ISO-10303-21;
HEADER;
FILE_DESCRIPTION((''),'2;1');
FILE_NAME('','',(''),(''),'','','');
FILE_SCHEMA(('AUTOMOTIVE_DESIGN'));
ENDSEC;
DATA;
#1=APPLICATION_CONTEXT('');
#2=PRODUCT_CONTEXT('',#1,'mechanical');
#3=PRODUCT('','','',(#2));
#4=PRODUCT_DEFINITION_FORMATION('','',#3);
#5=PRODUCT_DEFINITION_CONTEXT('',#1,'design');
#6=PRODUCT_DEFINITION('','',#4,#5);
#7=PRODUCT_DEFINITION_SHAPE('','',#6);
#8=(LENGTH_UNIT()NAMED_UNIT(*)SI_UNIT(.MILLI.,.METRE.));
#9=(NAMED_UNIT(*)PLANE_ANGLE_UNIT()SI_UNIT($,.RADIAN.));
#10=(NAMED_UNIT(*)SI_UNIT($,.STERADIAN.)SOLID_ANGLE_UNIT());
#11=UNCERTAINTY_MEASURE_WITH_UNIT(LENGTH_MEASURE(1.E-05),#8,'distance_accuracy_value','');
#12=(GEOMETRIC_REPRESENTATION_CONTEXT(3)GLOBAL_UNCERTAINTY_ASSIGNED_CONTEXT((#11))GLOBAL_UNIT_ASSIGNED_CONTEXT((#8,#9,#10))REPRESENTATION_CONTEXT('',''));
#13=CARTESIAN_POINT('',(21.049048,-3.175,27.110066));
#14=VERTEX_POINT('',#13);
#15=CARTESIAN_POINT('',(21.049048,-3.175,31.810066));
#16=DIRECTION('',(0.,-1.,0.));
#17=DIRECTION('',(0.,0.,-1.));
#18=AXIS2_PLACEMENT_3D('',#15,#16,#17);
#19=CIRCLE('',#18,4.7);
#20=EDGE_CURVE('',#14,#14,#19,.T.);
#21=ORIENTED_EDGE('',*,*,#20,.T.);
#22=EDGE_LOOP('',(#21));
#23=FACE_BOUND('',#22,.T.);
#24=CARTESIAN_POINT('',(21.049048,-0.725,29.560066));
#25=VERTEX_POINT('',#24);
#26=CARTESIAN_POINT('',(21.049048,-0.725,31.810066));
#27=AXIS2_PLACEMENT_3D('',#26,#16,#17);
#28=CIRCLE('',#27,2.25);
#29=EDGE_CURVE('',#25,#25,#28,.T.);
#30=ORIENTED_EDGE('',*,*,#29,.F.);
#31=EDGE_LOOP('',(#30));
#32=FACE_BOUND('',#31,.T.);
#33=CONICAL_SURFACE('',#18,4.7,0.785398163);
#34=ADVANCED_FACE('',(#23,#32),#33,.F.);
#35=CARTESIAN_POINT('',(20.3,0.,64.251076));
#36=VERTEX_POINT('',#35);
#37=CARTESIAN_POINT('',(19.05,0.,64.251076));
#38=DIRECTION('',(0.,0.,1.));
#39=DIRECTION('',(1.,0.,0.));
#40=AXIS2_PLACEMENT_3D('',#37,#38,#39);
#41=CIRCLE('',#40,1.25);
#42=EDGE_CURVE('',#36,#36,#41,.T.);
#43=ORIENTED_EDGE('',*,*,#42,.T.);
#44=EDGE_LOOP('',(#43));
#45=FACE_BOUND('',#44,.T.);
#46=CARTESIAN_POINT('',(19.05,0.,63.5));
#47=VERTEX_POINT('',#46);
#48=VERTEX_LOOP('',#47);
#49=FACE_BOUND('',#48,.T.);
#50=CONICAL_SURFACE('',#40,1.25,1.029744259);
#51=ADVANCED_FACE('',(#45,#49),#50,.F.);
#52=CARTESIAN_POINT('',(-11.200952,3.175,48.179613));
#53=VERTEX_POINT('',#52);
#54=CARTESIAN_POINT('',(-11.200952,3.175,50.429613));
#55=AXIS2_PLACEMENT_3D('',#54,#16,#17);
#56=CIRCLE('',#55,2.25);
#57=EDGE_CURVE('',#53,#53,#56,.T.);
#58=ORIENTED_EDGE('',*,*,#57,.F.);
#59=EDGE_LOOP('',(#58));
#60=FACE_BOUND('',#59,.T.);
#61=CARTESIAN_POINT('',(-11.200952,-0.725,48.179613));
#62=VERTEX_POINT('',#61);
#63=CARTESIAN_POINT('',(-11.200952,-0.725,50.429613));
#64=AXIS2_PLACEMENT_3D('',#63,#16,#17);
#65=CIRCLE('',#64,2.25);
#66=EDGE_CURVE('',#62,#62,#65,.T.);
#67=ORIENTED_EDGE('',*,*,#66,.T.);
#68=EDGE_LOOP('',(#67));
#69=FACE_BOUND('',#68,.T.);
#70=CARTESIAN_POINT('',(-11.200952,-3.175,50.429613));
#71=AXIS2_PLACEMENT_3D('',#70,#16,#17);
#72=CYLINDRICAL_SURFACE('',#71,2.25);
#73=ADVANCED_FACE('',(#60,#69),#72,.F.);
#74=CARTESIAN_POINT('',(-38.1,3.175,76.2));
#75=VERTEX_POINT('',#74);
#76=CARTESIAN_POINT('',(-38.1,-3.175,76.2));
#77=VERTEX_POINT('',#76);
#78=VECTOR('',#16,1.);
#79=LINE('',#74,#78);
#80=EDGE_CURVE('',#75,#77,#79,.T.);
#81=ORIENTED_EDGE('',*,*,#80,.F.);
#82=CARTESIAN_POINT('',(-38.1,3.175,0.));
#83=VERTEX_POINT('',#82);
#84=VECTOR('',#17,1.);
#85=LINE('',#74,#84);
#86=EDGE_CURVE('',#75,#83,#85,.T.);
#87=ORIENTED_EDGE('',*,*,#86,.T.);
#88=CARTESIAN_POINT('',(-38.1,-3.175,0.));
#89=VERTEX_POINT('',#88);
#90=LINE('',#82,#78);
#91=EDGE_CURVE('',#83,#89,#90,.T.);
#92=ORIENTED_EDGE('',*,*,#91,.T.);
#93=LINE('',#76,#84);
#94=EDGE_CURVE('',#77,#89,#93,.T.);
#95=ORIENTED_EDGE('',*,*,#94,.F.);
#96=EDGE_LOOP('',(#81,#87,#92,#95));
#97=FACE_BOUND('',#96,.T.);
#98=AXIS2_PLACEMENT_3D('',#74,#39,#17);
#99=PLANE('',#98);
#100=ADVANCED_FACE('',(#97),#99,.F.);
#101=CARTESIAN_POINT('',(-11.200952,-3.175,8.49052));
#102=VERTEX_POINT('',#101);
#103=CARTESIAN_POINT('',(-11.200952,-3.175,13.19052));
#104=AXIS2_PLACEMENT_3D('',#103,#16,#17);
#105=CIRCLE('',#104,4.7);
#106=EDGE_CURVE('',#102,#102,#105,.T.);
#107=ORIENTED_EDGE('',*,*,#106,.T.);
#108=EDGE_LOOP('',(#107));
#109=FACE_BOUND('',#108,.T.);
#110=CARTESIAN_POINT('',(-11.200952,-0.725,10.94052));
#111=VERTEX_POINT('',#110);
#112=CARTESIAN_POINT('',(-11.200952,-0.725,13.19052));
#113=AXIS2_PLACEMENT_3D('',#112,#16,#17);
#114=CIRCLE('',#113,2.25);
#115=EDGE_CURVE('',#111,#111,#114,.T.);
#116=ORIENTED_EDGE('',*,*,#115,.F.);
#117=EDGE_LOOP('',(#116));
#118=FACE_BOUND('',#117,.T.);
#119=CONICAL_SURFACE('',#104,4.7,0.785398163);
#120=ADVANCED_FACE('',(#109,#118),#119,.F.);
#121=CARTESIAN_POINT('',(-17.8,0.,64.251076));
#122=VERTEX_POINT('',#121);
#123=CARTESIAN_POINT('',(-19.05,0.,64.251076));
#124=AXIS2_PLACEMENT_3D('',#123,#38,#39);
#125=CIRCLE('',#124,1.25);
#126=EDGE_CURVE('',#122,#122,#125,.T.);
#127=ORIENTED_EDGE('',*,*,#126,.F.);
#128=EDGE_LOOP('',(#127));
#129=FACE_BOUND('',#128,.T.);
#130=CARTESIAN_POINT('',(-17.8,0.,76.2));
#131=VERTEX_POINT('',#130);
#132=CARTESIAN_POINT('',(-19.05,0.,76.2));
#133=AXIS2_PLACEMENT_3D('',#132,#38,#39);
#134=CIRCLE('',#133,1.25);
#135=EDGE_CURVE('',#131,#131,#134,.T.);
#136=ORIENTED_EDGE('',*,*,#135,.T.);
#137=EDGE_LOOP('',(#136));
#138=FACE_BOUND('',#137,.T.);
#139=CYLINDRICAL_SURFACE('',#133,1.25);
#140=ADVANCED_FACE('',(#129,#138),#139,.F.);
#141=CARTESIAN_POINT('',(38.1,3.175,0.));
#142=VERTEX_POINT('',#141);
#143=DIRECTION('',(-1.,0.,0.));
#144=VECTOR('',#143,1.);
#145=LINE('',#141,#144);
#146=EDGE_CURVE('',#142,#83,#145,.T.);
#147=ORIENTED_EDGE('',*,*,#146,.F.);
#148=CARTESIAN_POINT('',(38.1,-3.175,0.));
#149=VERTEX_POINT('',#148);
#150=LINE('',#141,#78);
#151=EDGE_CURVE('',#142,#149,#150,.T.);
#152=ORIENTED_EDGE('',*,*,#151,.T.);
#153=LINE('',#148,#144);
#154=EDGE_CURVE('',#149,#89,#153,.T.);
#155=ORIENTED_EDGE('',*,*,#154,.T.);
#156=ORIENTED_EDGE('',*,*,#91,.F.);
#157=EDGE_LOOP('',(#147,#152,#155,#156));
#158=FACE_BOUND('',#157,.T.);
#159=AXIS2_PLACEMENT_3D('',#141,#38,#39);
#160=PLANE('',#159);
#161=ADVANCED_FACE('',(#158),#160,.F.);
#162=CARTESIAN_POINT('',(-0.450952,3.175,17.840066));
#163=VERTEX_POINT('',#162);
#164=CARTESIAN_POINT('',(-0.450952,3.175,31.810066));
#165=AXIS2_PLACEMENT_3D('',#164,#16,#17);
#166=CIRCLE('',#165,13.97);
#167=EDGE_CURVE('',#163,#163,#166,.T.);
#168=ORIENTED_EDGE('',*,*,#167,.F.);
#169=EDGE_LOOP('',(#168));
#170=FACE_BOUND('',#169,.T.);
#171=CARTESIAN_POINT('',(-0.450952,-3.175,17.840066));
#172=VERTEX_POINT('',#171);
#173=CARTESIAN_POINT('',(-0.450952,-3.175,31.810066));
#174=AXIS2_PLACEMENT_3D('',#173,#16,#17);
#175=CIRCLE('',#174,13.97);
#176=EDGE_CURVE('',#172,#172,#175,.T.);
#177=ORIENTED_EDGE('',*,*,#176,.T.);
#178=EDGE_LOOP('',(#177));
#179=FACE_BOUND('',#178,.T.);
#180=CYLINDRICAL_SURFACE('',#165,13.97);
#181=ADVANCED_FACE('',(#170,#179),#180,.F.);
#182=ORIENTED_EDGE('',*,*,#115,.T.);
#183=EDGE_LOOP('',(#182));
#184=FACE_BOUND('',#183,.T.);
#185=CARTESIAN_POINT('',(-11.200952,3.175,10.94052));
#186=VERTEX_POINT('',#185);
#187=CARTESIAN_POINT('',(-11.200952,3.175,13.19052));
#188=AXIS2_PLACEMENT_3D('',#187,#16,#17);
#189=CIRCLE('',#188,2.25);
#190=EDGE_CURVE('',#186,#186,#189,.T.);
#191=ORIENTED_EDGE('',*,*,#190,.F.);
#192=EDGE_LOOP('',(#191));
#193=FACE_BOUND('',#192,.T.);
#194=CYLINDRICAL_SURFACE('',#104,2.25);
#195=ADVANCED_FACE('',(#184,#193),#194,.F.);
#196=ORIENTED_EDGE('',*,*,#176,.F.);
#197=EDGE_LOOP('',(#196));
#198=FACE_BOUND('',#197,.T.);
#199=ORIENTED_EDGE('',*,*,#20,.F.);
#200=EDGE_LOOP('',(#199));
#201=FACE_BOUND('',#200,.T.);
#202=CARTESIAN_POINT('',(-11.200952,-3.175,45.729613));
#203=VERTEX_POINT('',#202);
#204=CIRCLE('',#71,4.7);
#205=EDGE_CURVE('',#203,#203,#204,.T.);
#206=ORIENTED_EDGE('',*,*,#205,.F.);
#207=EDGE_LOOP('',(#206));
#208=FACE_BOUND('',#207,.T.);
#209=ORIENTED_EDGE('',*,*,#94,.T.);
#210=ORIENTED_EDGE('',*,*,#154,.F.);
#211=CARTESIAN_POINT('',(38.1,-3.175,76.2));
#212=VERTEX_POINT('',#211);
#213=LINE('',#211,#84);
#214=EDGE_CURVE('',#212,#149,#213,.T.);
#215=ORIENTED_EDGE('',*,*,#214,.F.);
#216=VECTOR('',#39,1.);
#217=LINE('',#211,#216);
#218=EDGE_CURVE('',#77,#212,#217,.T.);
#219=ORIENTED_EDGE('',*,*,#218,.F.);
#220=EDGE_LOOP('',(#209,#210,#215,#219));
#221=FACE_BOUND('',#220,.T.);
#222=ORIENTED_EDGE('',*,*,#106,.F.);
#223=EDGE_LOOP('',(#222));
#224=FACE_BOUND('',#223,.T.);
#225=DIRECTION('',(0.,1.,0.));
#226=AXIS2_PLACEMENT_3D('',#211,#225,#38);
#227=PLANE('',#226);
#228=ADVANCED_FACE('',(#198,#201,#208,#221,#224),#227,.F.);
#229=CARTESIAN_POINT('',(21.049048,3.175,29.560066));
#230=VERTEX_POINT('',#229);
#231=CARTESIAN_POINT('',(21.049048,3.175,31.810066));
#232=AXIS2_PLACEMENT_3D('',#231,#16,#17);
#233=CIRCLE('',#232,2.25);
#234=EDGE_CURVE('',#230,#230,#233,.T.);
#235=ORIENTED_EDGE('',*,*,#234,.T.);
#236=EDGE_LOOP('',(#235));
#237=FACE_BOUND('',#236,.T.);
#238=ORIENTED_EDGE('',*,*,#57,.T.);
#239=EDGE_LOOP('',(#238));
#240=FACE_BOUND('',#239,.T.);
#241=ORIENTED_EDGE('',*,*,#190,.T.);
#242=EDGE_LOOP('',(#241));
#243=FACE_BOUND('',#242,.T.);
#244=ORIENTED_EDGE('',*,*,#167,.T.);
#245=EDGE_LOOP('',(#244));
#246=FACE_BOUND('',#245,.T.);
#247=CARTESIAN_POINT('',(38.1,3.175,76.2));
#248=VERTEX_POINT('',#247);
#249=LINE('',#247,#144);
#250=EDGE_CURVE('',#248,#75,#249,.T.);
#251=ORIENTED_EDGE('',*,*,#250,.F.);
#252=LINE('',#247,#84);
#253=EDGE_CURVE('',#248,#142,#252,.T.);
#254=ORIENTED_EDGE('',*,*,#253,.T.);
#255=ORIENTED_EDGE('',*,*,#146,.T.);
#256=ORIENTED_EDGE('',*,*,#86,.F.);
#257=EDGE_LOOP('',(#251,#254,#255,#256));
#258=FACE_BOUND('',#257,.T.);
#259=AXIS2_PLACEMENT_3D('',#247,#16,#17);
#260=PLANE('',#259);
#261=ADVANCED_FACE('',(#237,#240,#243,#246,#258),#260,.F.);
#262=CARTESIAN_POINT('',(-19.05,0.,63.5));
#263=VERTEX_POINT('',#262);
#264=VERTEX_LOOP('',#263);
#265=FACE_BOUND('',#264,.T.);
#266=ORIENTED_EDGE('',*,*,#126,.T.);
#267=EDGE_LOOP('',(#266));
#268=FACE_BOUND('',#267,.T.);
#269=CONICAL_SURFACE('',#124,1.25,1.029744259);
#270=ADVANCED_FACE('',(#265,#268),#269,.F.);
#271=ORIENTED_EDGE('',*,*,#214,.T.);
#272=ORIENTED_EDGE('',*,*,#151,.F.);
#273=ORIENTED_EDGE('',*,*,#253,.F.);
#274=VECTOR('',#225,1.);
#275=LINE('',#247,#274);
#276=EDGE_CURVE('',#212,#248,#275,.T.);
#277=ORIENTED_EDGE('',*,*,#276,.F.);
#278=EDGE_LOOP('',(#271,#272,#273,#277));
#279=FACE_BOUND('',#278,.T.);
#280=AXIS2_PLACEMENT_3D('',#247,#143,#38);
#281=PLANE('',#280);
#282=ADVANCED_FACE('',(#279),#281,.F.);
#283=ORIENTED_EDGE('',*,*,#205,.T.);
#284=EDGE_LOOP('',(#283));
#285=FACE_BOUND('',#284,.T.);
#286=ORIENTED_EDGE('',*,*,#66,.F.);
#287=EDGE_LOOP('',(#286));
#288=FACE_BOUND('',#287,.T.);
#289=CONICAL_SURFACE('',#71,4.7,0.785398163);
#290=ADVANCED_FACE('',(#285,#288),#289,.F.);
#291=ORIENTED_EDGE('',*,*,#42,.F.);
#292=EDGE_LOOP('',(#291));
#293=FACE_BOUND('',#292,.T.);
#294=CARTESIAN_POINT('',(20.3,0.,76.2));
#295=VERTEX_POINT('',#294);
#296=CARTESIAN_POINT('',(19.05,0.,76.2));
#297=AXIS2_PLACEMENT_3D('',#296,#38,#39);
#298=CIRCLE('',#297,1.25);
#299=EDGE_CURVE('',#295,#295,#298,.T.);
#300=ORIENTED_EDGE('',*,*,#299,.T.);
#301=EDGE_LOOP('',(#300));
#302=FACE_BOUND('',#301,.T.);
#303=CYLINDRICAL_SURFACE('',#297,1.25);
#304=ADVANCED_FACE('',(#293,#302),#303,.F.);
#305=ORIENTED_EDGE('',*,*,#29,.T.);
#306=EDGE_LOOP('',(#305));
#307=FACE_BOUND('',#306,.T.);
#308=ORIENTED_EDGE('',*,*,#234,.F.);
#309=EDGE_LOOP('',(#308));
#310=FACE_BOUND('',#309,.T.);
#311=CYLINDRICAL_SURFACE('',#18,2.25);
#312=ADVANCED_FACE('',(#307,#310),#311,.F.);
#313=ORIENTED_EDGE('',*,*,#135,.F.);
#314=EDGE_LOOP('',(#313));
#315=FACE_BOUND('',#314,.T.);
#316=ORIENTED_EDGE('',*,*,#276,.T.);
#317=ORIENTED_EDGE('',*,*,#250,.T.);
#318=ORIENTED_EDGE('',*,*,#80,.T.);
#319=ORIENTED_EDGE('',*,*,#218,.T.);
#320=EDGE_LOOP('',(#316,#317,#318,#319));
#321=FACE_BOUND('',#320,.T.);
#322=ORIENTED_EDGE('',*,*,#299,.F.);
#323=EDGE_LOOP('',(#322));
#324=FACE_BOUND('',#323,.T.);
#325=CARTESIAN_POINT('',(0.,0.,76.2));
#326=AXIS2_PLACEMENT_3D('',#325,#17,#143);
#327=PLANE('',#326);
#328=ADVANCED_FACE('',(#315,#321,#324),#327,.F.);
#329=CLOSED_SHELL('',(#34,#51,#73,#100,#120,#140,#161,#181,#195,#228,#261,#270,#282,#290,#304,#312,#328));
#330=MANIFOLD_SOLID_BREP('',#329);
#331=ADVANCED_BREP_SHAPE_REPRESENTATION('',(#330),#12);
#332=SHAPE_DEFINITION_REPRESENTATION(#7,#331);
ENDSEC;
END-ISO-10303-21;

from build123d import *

# Parameters (mm, degrees)
BOSS_EXTRUDE1_DEPTH                             = 76.2
BOSS_EXTRUDE1_DEPTH_BACK                        = 76.2
SKETCH3_W                                       = 76.2
SKETCH3_H                                       = 6.35
SKETCH11_R                                      = 13.97
CUT_EXTRUDE1_DEPTH                              = 86.430512699
CSK_FOR_M4_FLAT_HEAD_MACHINE_SCREW1_D           = 4.5
CSK_FOR_M4_FLAT_HEAD_MACHINE_SCREW1_CSINK_D     = 9.4
CSK_FOR_M4_FLAT_HEAD_MACHINE_SCREW1_CSINK_ANGLE = 90
SKETCH20_W                                      = 76.2
SKETCH20_H                                      = 76.2
CUT_EXTRUDE2_DEPTH                              = 86.430512699
M3X0_5_TAPPED_HOLE3_D                           = 2.5
M3X0_5_TAPPED_HOLE3_DEPTH                       = 11.948924226
M3X0_5_TAPPED_HOLE3_TIP                         = 0.751075774


with BuildPart() as part:
    # Sketch3 → Boss-Extrude1 (new, two sides: drawn at the far end of the back side and taken through both)
    with BuildSketch(Plane.XY.offset(-BOSS_EXTRUDE1_DEPTH_BACK)):
        Rectangle(SKETCH3_W, SKETCH3_H)
    extrude(amount=BOSS_EXTRUDE1_DEPTH + BOSS_EXTRUDE1_DEPTH_BACK)

    # Sketch11 → Cut-Extrude1 (cut, through all)
    with BuildSketch(Plane.XZ.offset(3.175)):
        with Locations(Location((-0.450951641, 31.810066373, 0), (0, 0, 270))):
            Circle(SKETCH11_R)
    extrude(amount=-CUT_EXTRUDE1_DEPTH, mode=Mode.SUBTRACT)

    # CSK for M4 Flat Head Machine Screw1 (through all)
    with Locations(Plane(origin=(0, -3.175, 0), x_dir=(-1, 0, 0), z_dir=(0, -1, 0))):
        with Locations((11.200951641, -13.190520192), (-21.049048359, -31.810066373), (11.200951641, -50.429612554)):
            CounterSinkHole(CSK_FOR_M4_FLAT_HEAD_MACHINE_SCREW1_D / 2, CSK_FOR_M4_FLAT_HEAD_MACHINE_SCREW1_CSINK_D / 2, counter_sink_angle=CSK_FOR_M4_FLAT_HEAD_MACHINE_SCREW1_CSINK_ANGLE)

    # Sketch20 → Cut-Extrude2 (cut, through all)
    with BuildSketch(Plane.XZ.offset(3.175)):
        with Locations((0, -38.1)):
            Rectangle(SKETCH20_W, SKETCH20_H)
    extrude(amount=-CUT_EXTRUDE2_DEPTH, mode=Mode.SUBTRACT)

    # M3x0.5 Tapped Hole3
    with Locations(Plane.XY.offset(76.2)):
        with Locations((19.05, 0), (-19.05, 0)):
            Hole(M3X0_5_TAPPED_HOLE3_D / 2, depth=M3X0_5_TAPPED_HOLE3_DEPTH)
            with Locations((0, 0, -(M3X0_5_TAPPED_HOLE3_DEPTH + M3X0_5_TAPPED_HOLE3_TIP / 2))):  # 118° drill point
                Cone(0, M3X0_5_TAPPED_HOLE3_D / 2, M3X0_5_TAPPED_HOLE3_TIP, mode=Mode.SUBTRACT)


solid = part.part
